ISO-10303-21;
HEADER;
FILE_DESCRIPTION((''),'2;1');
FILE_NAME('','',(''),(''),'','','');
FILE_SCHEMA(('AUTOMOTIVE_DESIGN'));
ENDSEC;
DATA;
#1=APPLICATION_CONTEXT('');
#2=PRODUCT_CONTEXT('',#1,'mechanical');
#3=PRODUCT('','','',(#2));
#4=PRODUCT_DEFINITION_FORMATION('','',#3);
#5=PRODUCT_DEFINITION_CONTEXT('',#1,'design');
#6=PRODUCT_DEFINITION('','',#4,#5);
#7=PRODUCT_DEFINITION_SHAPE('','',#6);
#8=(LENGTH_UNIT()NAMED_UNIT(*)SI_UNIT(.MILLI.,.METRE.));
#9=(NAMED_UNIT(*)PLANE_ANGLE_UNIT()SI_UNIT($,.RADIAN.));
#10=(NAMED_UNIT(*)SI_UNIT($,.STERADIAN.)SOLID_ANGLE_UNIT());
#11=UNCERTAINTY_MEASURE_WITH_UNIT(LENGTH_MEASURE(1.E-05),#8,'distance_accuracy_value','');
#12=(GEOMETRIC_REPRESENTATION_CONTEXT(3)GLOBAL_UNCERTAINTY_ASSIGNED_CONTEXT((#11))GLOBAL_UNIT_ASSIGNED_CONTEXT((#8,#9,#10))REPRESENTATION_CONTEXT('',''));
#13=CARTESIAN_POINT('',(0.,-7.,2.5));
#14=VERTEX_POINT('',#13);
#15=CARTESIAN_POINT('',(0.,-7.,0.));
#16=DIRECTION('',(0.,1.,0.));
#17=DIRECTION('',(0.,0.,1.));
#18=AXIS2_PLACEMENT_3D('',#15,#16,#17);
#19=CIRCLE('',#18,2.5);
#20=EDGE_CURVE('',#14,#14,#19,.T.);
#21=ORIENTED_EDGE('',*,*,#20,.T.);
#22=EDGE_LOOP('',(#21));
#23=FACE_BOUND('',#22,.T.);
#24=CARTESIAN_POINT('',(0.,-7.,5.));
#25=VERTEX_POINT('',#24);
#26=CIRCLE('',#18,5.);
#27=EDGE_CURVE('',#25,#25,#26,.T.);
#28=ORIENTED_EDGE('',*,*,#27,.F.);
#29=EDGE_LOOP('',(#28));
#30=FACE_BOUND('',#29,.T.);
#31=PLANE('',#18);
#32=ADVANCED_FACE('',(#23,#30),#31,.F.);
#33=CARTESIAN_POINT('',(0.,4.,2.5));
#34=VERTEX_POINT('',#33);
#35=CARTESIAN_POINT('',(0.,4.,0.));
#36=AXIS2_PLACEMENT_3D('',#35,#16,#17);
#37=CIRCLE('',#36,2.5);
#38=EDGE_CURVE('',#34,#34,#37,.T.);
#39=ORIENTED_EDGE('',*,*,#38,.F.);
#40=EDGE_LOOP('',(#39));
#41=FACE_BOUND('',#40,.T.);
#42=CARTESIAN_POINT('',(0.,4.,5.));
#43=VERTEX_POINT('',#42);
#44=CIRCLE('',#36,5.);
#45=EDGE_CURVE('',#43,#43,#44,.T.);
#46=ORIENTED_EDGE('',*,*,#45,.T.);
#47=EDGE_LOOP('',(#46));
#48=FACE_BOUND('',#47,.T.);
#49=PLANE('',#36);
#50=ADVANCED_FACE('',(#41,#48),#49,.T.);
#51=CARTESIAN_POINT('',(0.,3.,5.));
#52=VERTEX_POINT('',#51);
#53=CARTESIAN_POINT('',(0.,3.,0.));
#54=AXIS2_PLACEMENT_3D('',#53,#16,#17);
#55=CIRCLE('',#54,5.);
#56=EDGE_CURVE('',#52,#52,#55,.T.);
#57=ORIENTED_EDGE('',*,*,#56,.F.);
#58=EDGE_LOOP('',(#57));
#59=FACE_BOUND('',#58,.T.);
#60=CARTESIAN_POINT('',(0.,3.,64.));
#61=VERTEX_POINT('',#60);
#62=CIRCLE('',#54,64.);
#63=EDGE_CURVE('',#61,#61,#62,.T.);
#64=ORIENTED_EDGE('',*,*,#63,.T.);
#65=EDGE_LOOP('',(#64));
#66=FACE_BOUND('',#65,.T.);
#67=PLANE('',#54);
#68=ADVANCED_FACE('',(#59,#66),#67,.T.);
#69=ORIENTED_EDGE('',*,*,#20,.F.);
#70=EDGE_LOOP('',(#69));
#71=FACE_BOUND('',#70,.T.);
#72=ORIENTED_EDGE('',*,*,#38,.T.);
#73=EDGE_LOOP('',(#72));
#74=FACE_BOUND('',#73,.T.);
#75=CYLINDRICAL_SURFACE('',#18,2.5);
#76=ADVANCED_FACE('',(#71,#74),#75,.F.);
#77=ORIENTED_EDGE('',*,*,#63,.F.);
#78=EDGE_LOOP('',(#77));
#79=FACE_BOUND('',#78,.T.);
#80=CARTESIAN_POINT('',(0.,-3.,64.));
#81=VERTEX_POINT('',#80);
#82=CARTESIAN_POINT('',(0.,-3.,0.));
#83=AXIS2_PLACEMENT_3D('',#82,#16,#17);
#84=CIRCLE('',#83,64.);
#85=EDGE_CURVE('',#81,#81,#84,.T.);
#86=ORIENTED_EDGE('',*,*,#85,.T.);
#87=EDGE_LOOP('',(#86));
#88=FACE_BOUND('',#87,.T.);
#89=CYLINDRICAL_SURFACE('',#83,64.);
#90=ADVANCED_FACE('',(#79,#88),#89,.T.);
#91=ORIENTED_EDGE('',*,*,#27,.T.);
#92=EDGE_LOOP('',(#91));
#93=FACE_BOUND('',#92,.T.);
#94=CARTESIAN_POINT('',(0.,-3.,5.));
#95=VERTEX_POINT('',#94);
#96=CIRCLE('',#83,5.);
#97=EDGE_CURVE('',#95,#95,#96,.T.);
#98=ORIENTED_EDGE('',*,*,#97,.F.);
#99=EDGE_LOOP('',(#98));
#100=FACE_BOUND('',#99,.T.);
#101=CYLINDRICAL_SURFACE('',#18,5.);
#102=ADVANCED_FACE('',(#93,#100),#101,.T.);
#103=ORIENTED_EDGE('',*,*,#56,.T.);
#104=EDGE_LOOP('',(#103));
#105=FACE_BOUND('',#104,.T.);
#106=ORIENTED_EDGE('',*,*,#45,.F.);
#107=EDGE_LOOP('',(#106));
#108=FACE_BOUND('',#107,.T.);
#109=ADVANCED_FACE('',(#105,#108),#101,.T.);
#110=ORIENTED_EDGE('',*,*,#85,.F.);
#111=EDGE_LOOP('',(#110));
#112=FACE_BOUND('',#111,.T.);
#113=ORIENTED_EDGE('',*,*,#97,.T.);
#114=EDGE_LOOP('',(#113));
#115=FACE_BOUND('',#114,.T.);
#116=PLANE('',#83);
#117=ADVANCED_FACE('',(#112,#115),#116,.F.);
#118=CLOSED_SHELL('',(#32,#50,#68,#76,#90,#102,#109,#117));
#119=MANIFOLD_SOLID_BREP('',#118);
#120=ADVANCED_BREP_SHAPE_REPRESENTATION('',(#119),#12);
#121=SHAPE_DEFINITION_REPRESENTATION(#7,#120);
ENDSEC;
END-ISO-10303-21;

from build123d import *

# Parameters (mm, degrees)
EXTRUDE_1_DEPTH      = 3
EXTRUDE_1_DEPTH_BACK = 3
SKETCH_1_R           = 64
EXTRUDE_2_DEPTH      = 4
EXTRUDE_2_DEPTH_BACK = 7
SKETCH_2_R           = 5
SKETCH_3_R           = 2.5
CUT_EXTRUDE_1_DEPTH  = 92.175654645


with BuildPart() as part:
    # 草图1 → 凸台-拉伸1 (new, two sides: drawn at the far end of the back side and taken through both)
    with BuildSketch(Plane(origin=(0, 0, 0), x_dir=(1, 0, 0), z_dir=(0, 1, 0)).offset(-EXTRUDE_1_DEPTH_BACK)):
        Circle(SKETCH_1_R)
    extrude(amount=EXTRUDE_1_DEPTH + EXTRUDE_1_DEPTH_BACK)

    # 草图2 → 凸台-拉伸2 (add, two sides: drawn at the far end of the back side and taken through both)
    with BuildSketch(Plane(origin=(0, 0, 0), x_dir=(1, 0, 0), z_dir=(0, 1, 0)).offset(-EXTRUDE_2_DEPTH_BACK)):
        Circle(SKETCH_2_R)
    extrude(amount=EXTRUDE_2_DEPTH + EXTRUDE_2_DEPTH_BACK)

    # 草图3 → 切除-拉伸1 (cut, through all)
    with BuildSketch(Plane(origin=(0, 4, 0), x_dir=(1, 0, 0), z_dir=(0, 1, 0))):
        Circle(SKETCH_3_R)
    extrude(amount=-CUT_EXTRUDE_1_DEPTH, mode=Mode.SUBTRACT)


solid = part.part
